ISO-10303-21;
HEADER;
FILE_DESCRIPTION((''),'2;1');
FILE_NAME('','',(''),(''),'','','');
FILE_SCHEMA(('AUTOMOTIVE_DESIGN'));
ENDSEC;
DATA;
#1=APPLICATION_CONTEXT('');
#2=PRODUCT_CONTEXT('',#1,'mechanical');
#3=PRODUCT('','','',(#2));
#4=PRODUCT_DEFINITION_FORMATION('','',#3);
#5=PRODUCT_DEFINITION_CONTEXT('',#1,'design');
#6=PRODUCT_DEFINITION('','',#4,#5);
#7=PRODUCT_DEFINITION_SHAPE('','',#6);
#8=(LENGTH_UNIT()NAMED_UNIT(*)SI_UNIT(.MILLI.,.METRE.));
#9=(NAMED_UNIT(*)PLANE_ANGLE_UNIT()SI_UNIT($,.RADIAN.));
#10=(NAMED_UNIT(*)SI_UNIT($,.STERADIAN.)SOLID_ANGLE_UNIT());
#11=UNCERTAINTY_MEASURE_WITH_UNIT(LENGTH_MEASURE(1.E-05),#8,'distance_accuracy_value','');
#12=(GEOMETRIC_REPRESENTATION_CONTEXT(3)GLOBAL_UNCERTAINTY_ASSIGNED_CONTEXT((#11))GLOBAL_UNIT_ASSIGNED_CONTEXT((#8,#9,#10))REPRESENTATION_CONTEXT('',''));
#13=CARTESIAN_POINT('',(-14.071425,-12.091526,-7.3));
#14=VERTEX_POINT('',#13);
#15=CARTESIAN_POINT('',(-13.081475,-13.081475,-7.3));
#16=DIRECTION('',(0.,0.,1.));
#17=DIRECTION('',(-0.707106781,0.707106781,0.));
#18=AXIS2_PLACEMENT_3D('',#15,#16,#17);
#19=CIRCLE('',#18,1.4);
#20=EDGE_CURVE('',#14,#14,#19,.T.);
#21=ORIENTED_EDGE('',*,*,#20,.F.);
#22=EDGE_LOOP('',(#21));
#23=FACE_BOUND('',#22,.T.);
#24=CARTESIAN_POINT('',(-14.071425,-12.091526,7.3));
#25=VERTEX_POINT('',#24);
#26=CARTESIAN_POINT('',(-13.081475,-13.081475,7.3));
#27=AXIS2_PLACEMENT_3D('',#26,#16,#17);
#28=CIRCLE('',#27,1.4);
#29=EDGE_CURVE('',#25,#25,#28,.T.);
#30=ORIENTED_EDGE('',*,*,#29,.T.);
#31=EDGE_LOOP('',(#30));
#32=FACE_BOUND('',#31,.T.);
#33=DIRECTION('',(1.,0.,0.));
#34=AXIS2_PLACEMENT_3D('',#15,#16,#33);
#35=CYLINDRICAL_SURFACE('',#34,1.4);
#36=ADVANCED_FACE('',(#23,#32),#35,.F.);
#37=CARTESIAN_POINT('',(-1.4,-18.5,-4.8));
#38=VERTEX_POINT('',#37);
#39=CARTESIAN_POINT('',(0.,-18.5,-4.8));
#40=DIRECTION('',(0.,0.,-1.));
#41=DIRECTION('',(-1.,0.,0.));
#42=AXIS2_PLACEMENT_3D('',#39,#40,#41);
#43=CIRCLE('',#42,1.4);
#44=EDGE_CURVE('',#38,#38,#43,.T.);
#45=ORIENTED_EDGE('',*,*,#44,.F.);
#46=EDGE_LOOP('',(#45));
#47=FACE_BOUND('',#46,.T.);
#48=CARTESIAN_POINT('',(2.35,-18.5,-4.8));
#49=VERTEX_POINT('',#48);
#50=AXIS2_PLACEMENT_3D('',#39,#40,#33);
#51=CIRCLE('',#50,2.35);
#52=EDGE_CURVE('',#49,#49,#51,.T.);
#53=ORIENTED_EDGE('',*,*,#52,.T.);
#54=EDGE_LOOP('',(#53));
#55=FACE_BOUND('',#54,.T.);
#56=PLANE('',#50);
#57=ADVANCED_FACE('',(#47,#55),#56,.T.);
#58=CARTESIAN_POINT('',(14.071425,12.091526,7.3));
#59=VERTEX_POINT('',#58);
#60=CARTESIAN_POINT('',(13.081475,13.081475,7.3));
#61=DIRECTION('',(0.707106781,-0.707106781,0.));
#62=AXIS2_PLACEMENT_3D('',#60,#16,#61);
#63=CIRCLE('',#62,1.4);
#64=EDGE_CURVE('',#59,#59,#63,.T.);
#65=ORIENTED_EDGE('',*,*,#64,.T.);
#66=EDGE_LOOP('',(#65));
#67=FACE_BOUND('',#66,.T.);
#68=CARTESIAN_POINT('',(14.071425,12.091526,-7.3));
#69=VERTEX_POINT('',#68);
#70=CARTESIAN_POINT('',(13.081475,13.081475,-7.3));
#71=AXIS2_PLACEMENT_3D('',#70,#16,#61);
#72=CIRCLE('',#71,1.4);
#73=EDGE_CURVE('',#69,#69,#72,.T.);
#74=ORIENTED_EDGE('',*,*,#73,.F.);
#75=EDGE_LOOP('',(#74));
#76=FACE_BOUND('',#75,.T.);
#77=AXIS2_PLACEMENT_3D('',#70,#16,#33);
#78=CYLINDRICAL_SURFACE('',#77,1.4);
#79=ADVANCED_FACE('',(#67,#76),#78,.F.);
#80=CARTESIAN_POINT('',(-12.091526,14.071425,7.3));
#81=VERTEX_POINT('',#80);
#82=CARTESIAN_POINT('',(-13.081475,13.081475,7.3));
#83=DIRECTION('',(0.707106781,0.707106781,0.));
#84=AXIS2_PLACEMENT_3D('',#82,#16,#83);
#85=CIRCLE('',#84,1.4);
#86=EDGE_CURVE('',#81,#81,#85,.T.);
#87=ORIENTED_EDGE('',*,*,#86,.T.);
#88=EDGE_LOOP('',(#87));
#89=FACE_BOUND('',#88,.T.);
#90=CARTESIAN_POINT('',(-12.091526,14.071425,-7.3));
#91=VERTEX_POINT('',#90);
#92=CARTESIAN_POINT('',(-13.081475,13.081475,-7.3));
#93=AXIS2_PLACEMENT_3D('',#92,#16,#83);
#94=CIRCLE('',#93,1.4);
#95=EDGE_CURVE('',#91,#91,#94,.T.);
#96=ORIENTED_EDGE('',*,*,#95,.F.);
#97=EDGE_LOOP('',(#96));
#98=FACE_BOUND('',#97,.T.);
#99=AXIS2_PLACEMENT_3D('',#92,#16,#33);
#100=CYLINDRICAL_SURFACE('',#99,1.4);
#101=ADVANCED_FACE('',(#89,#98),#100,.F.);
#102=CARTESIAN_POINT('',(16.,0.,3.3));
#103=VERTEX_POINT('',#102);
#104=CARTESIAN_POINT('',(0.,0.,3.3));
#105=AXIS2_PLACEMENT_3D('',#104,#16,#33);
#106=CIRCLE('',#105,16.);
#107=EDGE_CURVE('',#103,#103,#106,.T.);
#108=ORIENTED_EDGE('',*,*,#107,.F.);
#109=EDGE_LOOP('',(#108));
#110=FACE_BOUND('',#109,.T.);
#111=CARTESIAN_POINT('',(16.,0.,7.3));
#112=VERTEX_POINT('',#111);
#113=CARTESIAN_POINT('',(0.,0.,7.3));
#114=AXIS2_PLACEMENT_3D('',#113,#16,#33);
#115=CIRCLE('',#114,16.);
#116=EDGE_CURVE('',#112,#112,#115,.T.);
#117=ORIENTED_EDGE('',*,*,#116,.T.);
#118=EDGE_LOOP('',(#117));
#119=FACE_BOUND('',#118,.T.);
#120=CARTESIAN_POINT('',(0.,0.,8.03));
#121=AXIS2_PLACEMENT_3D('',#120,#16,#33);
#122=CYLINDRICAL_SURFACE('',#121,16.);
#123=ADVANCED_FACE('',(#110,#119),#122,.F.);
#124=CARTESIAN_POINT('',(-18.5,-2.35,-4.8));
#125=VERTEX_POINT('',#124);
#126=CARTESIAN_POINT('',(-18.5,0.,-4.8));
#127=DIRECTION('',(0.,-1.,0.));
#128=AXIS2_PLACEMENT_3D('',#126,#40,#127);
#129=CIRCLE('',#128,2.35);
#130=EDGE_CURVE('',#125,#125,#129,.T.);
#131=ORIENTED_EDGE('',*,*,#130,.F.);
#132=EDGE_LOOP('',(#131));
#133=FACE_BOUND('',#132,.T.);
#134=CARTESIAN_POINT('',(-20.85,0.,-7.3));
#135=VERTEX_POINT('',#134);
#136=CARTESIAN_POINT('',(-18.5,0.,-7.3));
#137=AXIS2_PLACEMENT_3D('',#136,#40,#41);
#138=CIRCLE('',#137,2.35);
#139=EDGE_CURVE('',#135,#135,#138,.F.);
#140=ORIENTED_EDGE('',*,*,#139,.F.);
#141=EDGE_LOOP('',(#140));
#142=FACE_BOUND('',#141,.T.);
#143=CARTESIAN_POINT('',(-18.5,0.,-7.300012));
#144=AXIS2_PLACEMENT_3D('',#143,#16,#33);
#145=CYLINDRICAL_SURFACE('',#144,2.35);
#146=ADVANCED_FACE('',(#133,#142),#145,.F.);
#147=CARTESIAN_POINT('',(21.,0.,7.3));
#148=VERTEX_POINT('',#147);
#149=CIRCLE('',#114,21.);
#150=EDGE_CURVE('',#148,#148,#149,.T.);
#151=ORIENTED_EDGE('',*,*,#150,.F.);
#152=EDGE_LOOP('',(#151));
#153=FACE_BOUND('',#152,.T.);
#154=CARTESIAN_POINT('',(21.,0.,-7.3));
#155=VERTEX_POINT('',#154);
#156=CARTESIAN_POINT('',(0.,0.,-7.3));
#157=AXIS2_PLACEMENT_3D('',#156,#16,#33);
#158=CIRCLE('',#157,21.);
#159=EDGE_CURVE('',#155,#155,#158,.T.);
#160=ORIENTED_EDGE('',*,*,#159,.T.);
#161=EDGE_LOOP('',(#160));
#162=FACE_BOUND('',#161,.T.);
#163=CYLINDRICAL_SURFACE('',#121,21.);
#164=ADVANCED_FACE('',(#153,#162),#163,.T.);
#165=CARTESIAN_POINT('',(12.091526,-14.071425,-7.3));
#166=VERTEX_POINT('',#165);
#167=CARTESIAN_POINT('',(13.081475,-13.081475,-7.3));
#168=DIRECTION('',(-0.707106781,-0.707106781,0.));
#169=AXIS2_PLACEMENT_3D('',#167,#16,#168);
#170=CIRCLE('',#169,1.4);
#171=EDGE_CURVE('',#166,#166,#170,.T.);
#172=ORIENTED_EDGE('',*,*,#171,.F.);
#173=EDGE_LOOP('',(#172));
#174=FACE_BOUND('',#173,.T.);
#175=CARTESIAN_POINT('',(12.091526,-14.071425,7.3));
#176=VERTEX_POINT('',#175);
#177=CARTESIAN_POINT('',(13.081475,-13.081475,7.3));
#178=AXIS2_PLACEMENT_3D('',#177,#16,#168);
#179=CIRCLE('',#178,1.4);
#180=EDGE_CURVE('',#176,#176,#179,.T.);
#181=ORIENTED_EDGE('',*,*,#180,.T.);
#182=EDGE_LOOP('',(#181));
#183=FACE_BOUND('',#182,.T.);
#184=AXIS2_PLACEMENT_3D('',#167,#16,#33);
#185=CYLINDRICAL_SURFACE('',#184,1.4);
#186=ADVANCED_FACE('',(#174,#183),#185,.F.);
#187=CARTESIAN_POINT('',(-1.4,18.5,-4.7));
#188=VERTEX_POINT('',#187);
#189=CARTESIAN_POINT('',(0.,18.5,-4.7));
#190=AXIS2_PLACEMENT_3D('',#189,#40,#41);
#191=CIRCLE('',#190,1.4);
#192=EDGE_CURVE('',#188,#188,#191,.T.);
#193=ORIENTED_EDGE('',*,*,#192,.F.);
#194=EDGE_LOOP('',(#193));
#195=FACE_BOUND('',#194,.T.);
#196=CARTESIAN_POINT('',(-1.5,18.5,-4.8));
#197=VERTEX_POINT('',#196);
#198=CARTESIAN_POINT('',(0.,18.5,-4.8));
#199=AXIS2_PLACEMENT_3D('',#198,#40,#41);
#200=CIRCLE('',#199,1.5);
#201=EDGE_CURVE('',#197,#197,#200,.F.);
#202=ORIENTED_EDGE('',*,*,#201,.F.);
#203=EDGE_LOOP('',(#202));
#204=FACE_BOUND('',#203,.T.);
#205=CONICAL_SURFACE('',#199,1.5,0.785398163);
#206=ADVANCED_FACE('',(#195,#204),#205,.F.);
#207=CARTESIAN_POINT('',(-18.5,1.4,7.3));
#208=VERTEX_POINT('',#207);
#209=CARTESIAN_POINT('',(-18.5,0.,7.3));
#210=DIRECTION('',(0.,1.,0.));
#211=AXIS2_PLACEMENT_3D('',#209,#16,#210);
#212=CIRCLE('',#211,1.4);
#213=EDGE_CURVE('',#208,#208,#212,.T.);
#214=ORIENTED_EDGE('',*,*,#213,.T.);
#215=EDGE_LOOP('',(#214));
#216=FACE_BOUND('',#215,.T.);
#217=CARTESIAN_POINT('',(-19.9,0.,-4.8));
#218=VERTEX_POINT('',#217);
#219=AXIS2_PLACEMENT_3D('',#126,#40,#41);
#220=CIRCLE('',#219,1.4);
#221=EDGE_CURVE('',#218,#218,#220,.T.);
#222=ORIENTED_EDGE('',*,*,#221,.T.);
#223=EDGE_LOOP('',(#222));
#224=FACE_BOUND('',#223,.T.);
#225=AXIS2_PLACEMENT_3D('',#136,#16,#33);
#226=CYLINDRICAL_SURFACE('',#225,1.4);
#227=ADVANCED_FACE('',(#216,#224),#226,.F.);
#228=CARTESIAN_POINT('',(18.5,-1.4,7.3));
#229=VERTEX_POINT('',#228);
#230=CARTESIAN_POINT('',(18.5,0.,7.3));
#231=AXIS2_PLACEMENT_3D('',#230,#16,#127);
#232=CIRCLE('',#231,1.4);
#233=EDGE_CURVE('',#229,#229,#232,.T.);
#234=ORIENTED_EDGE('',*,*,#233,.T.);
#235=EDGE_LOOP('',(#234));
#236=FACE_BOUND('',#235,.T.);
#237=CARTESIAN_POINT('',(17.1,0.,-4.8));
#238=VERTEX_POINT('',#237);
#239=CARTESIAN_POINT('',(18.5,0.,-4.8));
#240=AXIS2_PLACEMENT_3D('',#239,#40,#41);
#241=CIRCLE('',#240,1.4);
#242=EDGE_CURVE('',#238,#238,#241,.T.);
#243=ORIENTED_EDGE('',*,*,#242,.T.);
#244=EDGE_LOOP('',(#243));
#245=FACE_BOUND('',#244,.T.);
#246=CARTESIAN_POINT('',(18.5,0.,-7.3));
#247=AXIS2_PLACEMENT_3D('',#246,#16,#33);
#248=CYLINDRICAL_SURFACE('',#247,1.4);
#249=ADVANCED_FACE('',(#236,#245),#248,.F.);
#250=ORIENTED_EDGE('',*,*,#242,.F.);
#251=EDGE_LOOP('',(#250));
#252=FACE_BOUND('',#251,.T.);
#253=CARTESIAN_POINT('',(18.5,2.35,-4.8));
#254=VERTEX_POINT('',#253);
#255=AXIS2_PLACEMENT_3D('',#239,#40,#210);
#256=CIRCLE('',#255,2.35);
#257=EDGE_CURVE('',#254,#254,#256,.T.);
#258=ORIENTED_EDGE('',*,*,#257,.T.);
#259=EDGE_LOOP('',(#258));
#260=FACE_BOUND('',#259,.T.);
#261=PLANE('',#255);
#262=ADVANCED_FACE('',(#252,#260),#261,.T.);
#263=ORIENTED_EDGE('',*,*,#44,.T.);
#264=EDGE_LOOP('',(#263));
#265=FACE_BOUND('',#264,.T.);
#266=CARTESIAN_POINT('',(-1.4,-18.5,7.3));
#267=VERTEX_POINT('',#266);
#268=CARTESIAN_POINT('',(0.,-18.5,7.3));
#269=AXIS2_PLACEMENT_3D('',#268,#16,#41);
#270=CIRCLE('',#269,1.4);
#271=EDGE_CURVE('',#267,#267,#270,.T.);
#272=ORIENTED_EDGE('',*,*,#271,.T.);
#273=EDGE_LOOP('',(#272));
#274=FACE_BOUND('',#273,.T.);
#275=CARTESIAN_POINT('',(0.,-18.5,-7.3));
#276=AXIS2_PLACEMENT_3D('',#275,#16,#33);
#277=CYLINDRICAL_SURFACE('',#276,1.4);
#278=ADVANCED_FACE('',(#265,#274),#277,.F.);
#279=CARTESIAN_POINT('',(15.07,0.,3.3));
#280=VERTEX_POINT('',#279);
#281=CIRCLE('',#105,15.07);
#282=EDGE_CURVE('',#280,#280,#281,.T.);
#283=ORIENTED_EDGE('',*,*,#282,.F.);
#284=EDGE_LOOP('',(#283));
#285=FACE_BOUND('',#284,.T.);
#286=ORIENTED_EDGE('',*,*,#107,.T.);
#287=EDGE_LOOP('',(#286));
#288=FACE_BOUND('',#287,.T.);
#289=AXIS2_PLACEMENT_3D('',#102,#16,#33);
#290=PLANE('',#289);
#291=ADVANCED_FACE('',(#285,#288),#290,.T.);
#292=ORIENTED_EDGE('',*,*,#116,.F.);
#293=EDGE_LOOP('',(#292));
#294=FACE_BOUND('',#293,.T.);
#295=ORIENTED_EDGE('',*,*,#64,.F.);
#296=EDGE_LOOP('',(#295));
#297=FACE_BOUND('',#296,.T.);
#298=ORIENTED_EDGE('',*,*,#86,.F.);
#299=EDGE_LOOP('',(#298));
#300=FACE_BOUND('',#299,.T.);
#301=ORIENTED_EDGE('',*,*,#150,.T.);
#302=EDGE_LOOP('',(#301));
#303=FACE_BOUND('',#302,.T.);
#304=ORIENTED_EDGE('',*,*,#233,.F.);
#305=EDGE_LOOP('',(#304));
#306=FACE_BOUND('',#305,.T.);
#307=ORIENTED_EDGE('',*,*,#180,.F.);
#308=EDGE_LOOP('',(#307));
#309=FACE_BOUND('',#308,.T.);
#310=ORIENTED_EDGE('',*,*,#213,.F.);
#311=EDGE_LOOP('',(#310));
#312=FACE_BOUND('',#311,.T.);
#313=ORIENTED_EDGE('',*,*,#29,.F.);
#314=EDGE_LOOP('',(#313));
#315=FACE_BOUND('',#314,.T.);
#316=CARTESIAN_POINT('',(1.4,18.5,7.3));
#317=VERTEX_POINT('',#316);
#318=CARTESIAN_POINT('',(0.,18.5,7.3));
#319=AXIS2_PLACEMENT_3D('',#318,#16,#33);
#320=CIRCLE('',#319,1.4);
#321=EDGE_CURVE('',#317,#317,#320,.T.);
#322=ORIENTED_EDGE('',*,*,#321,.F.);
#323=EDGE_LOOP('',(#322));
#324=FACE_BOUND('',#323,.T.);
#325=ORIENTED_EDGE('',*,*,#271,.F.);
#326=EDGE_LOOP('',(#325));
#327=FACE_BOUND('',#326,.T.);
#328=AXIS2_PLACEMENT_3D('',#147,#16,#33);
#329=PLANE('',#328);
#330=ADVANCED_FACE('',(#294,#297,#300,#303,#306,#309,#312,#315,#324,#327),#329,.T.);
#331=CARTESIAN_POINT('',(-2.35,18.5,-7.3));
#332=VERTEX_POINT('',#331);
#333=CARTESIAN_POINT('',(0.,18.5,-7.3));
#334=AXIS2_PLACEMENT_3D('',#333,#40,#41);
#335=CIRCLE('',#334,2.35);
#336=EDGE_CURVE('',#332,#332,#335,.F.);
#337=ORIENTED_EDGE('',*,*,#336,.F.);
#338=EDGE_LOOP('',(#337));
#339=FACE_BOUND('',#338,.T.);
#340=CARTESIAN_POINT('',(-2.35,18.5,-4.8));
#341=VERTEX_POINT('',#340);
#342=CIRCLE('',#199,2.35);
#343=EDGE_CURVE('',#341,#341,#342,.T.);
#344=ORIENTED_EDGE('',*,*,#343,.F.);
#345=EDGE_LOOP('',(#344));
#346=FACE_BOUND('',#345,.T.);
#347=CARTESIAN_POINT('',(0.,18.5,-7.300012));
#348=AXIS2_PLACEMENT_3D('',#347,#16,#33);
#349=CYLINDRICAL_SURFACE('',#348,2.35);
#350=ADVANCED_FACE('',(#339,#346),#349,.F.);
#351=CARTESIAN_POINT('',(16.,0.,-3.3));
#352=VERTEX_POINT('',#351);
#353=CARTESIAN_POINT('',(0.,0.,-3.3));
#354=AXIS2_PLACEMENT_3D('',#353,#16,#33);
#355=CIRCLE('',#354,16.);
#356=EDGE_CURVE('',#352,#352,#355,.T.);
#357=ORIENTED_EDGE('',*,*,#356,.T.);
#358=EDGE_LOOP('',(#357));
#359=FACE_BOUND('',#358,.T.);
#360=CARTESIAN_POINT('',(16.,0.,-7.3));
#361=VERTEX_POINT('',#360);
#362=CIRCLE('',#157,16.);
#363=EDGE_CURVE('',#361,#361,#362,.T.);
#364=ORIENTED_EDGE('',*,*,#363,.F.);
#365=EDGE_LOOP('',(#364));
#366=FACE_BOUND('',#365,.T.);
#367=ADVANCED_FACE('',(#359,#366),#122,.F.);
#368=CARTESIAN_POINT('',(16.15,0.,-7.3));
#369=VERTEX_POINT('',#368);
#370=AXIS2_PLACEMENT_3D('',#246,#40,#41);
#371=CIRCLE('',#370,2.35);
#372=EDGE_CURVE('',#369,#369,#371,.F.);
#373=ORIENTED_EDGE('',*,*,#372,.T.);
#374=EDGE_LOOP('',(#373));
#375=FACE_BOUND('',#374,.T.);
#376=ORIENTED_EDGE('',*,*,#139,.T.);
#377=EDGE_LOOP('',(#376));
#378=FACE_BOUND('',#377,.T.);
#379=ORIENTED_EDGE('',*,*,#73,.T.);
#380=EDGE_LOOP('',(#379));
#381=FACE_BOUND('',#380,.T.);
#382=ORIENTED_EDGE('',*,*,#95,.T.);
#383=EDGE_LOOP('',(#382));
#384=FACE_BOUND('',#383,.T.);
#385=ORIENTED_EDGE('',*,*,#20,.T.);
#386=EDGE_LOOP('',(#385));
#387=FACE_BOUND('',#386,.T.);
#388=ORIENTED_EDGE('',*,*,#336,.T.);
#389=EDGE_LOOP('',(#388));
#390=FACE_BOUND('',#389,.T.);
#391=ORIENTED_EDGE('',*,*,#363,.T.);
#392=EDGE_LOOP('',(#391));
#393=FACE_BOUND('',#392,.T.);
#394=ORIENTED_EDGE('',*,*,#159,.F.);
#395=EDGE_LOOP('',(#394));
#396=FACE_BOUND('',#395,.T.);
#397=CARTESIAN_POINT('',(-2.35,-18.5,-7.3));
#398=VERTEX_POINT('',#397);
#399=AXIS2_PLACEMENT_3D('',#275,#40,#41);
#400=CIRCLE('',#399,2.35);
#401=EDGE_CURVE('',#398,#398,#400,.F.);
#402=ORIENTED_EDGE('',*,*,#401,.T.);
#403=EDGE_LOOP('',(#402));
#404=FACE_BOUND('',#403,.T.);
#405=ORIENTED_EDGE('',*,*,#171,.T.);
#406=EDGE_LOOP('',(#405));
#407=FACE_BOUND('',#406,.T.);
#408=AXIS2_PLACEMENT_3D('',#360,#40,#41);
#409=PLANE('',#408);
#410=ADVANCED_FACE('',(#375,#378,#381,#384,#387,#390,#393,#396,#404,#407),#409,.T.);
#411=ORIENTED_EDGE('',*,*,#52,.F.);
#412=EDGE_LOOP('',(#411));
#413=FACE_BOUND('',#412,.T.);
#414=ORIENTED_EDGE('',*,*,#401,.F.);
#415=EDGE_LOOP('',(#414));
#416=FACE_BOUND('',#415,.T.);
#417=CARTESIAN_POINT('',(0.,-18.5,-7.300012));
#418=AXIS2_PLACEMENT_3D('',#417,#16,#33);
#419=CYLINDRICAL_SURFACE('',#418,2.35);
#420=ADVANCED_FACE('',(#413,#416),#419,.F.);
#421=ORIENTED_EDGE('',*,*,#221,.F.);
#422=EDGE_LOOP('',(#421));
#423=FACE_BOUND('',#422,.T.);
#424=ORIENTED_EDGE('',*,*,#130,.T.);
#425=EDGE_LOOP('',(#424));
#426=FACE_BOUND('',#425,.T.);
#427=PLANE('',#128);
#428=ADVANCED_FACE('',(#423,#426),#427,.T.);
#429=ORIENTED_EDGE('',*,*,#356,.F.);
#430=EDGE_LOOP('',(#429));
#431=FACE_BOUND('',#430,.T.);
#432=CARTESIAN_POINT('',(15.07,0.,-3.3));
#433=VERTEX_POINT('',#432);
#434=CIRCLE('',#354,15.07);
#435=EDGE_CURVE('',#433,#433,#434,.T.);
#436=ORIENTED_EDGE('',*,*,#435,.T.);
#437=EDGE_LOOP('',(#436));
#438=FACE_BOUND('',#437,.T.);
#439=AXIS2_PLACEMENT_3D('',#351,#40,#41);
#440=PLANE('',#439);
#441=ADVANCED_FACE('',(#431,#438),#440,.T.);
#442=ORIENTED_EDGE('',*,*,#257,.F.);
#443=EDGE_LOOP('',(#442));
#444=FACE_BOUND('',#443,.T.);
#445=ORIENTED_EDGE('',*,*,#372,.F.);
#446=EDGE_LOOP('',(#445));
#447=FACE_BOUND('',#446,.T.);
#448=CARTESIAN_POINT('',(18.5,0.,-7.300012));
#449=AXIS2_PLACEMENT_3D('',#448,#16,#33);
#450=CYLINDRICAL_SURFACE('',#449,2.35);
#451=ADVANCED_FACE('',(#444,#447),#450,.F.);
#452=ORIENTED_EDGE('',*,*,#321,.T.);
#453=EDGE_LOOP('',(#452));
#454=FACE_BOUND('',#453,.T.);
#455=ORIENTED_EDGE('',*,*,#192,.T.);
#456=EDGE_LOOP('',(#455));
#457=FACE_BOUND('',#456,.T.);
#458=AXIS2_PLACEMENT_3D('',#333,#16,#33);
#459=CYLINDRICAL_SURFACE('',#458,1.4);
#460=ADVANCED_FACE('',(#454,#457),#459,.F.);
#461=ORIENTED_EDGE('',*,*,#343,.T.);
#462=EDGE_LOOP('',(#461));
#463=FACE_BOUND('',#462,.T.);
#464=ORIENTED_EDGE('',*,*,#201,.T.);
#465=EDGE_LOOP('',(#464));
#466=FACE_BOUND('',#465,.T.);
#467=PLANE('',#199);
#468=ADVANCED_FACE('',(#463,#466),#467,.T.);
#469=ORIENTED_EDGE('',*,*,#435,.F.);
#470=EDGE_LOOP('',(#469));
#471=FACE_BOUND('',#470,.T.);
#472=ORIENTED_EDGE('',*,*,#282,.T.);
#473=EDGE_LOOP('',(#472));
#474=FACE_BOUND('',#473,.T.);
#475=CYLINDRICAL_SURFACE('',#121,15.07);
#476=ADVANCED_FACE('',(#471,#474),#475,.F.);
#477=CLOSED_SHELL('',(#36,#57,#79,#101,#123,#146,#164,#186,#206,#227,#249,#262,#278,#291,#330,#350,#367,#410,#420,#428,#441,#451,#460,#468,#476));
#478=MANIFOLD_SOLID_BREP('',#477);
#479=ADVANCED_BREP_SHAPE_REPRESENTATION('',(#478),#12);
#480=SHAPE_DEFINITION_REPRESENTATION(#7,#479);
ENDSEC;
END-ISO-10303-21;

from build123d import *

# Parameters (mm, degrees)
SKETCH3_R          = 1.4
CUT_EXTRUDE2_DEPTH = 8.3
CUT_EXTRUDE4_START = -2.5
SKETCH4_R          = 2.35
CUT_EXTRUDE4_DEPTH = 3.5
CHAMFER1_SIZE      = 0.1
CIRPATTERN3_COUNT  = 4
CIRPATTERN2_COUNT  = 8


with BuildPart() as part:
    # Sketch7 → Revolve1 (revolve)
    with BuildSketch(Plane(origin=(0, 0, 0), x_dir=(1, 0, 0), z_dir=(0, 1, 0))):
        Polygon((16, 7.3), (16, 3.3), (15.07, 3.3), (15.07, -3.3), (16, -3.3), (16, -7.3), (21, -7.3), (21, 7.3), align=None)
    revolve(axis=Axis((0, 0, 8.03), (0, 0, -1)))

    # Sketch3 → Cut-Extrude2 (cut, symmetric)
    with BuildSketch(Plane.XY):
        with Locations((0, 18.5)):
            Circle(SKETCH3_R)
    cut_extrude2 = extrude(amount=CUT_EXTRUDE2_DEPTH, both=True, mode=Mode.SUBTRACT)

    # Sketch4 → Cut-Extrude4 (cut)
    with BuildSketch(Plane(origin=(0, 0, -7.3), x_dir=(-1, 0, 0), z_dir=(0, 0, -1)).offset(CUT_EXTRUDE4_START)):
        with Locations((0, 18.5)):
            Circle(SKETCH4_R)
    cut_extrude4 = extrude(amount=CUT_EXTRUDE4_DEPTH, mode=Mode.SUBTRACT)

    # Chamfer1
    chamfer1_edges = [part.edges().sort_by_distance(p)[0] for p in [
        (-1.4, 18.5, -4.8),
    ]]
    chamfer(chamfer1_edges, length=CHAMFER1_SIZE)

    # CirPattern3: Cut-Extrude4 ×4 about axis
    cirpattern3_axis = Axis((0, 0, 0), (0, 0, 1))
    for i in range(1, CIRPATTERN3_COUNT):
        add(cut_extrude4.rotate(cirpattern3_axis, i * 360 / CIRPATTERN3_COUNT), mode=Mode.SUBTRACT)

    # CirPattern2: Cut-Extrude2 ×8 about axis
    cirpattern2_axis = Axis((0, 0, 0), (0, 0, 1))
    for i in range(1, CIRPATTERN2_COUNT):
        add(cut_extrude2.rotate(cirpattern2_axis, i * 360 / CIRPATTERN2_COUNT), mode=Mode.SUBTRACT)


solid = part.part
